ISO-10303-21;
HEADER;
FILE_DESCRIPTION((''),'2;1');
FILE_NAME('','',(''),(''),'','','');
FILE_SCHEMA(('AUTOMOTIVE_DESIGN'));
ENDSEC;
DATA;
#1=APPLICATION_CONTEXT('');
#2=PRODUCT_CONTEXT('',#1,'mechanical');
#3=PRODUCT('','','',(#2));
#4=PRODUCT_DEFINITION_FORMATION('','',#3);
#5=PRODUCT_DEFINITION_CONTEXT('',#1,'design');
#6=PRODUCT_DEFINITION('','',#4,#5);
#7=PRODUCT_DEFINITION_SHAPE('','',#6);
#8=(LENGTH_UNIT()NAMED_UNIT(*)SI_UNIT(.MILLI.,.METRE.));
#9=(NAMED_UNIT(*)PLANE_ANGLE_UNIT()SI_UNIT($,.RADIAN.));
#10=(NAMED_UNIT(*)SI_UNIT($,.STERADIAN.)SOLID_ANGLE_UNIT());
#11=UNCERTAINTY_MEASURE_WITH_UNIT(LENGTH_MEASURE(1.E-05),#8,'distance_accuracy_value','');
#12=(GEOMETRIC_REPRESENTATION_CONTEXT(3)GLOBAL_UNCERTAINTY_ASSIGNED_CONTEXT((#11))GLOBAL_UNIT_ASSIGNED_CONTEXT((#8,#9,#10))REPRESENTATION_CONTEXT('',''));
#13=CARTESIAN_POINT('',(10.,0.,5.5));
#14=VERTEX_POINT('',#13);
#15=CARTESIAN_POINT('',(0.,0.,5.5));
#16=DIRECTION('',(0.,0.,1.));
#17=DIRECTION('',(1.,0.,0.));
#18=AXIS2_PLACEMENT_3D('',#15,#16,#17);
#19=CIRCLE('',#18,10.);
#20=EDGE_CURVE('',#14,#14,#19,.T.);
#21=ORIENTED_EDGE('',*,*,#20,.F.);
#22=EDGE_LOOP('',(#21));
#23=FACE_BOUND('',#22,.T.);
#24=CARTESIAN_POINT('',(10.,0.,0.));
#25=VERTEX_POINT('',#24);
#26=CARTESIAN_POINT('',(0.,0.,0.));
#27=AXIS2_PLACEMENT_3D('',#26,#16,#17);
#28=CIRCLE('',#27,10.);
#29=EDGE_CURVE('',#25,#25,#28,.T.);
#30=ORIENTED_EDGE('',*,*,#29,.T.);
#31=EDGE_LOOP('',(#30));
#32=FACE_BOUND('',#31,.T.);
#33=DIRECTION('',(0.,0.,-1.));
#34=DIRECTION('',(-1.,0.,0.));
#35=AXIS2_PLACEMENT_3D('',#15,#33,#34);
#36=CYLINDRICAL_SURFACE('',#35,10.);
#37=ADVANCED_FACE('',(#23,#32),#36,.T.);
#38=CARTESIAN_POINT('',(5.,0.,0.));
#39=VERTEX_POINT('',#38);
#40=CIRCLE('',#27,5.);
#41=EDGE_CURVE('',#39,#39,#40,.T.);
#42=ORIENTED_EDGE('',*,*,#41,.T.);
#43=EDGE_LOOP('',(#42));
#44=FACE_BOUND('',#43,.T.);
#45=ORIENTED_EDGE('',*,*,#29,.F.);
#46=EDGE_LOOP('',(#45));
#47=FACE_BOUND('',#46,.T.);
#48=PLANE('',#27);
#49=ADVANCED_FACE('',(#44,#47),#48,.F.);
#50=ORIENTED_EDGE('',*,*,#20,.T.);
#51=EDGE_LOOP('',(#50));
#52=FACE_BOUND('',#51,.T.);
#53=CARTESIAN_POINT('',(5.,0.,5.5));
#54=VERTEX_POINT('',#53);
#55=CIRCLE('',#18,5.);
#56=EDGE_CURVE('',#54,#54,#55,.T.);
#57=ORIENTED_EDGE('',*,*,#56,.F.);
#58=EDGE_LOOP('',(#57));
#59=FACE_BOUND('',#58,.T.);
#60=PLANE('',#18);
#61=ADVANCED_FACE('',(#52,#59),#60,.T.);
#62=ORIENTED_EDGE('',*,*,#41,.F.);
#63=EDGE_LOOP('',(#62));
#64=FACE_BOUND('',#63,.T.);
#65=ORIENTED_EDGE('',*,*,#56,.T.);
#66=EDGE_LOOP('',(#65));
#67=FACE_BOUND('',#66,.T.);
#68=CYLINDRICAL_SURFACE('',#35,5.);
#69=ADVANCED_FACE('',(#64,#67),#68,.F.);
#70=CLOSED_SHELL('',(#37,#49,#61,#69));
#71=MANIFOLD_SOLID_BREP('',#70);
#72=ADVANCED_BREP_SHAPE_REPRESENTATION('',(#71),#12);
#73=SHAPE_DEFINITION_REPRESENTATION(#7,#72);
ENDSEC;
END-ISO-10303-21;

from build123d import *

# Parameters (mm, degrees)
SKETCH_1_R      = 10
SKETCH_1_R_2    = 5
EXTRUDE_1_DEPTH = 5.5


with BuildPart() as part:
    # 草图1 → 凸台-拉伸1 (new body)
    with BuildSketch(Plane.XY):
        Circle(SKETCH_1_R)
        Circle(SKETCH_1_R_2, mode=Mode.SUBTRACT)
    extrude(amount=EXTRUDE_1_DEPTH)


solid = part.part
